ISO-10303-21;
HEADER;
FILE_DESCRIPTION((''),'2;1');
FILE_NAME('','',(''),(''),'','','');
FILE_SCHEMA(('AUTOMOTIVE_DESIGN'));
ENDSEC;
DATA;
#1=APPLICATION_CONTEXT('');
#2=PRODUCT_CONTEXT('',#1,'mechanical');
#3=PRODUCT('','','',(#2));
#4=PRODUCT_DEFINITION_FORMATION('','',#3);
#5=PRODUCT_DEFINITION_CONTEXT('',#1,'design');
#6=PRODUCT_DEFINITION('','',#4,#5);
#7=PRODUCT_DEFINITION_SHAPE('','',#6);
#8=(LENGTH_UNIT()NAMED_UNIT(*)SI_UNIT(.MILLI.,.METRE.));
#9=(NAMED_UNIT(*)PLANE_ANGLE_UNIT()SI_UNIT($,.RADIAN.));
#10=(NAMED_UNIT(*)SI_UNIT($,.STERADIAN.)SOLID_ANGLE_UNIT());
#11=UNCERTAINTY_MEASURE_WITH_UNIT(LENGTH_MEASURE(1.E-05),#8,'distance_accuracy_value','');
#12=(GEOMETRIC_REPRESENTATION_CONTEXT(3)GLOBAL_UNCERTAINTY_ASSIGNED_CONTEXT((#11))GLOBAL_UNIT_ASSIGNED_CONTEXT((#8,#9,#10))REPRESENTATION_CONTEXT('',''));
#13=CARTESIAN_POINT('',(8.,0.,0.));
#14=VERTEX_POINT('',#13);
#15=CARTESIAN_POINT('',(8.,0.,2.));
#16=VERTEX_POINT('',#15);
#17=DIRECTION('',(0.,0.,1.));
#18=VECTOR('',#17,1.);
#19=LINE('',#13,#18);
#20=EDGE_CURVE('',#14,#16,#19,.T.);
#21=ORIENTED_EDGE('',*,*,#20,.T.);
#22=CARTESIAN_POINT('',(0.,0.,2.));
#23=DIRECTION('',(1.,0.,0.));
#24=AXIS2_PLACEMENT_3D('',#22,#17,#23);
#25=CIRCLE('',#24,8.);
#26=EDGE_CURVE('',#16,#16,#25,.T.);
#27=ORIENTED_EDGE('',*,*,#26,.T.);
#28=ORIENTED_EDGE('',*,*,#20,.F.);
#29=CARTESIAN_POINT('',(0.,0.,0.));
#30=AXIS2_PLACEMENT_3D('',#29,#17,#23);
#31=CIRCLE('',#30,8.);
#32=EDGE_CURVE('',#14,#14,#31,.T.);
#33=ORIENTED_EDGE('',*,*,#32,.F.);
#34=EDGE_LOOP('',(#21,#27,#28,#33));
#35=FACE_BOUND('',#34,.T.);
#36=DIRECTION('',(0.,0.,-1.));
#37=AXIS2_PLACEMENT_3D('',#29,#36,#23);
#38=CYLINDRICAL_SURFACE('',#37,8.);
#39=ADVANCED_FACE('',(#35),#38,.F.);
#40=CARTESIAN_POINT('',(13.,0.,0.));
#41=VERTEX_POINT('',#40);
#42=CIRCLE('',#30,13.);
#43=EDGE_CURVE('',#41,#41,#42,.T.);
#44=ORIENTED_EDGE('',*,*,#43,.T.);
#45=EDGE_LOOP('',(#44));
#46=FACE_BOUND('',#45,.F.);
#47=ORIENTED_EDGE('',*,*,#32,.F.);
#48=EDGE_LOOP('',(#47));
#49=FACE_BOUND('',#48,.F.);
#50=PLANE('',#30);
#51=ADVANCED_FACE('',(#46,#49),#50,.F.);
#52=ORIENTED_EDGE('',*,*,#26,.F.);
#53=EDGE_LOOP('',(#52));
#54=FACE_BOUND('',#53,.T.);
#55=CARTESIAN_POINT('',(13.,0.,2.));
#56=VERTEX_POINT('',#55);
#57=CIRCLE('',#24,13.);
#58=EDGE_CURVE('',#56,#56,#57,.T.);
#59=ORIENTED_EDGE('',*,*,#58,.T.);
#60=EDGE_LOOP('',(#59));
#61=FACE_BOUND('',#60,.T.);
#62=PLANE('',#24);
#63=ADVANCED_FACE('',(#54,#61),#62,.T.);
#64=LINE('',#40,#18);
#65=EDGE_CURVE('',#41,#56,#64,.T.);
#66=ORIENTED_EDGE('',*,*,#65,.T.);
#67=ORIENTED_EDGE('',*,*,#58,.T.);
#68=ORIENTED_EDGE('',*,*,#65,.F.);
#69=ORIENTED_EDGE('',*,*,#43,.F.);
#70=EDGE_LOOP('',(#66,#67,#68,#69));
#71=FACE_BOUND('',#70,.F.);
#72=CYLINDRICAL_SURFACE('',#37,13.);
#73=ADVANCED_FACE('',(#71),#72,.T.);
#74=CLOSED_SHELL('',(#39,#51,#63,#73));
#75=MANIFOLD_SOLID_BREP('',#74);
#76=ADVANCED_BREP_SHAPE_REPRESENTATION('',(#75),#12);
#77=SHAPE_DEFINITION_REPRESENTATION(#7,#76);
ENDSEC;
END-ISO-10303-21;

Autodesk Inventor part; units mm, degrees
ref_plane "YZ Plane" through (0, 0, 0) normal (1, 0, 0) x (0, 1, 0)
ref_plane "XZ Plane" through (0, 0, 0) normal (0, 1, 0) x (-1, 0, 0)
ref_plane "XY Plane" through (0, 0, 0) normal (0, 0, 1) x (1, 0, 0)
sketch "Skizze1" plane through (0, 0, 0) normal (0, 0, 1) x (1, 0, 0)
  circle A0 centre (0, 0) radius 8
  circle A1 centre (0, 0) radius 13
  dimension "d0" = 16
  dimension "d1" = 26
extrude "Extrusion1" add sketch "Skizze1" along normal blind 2
properties part number "spacer" material "Gummi"
